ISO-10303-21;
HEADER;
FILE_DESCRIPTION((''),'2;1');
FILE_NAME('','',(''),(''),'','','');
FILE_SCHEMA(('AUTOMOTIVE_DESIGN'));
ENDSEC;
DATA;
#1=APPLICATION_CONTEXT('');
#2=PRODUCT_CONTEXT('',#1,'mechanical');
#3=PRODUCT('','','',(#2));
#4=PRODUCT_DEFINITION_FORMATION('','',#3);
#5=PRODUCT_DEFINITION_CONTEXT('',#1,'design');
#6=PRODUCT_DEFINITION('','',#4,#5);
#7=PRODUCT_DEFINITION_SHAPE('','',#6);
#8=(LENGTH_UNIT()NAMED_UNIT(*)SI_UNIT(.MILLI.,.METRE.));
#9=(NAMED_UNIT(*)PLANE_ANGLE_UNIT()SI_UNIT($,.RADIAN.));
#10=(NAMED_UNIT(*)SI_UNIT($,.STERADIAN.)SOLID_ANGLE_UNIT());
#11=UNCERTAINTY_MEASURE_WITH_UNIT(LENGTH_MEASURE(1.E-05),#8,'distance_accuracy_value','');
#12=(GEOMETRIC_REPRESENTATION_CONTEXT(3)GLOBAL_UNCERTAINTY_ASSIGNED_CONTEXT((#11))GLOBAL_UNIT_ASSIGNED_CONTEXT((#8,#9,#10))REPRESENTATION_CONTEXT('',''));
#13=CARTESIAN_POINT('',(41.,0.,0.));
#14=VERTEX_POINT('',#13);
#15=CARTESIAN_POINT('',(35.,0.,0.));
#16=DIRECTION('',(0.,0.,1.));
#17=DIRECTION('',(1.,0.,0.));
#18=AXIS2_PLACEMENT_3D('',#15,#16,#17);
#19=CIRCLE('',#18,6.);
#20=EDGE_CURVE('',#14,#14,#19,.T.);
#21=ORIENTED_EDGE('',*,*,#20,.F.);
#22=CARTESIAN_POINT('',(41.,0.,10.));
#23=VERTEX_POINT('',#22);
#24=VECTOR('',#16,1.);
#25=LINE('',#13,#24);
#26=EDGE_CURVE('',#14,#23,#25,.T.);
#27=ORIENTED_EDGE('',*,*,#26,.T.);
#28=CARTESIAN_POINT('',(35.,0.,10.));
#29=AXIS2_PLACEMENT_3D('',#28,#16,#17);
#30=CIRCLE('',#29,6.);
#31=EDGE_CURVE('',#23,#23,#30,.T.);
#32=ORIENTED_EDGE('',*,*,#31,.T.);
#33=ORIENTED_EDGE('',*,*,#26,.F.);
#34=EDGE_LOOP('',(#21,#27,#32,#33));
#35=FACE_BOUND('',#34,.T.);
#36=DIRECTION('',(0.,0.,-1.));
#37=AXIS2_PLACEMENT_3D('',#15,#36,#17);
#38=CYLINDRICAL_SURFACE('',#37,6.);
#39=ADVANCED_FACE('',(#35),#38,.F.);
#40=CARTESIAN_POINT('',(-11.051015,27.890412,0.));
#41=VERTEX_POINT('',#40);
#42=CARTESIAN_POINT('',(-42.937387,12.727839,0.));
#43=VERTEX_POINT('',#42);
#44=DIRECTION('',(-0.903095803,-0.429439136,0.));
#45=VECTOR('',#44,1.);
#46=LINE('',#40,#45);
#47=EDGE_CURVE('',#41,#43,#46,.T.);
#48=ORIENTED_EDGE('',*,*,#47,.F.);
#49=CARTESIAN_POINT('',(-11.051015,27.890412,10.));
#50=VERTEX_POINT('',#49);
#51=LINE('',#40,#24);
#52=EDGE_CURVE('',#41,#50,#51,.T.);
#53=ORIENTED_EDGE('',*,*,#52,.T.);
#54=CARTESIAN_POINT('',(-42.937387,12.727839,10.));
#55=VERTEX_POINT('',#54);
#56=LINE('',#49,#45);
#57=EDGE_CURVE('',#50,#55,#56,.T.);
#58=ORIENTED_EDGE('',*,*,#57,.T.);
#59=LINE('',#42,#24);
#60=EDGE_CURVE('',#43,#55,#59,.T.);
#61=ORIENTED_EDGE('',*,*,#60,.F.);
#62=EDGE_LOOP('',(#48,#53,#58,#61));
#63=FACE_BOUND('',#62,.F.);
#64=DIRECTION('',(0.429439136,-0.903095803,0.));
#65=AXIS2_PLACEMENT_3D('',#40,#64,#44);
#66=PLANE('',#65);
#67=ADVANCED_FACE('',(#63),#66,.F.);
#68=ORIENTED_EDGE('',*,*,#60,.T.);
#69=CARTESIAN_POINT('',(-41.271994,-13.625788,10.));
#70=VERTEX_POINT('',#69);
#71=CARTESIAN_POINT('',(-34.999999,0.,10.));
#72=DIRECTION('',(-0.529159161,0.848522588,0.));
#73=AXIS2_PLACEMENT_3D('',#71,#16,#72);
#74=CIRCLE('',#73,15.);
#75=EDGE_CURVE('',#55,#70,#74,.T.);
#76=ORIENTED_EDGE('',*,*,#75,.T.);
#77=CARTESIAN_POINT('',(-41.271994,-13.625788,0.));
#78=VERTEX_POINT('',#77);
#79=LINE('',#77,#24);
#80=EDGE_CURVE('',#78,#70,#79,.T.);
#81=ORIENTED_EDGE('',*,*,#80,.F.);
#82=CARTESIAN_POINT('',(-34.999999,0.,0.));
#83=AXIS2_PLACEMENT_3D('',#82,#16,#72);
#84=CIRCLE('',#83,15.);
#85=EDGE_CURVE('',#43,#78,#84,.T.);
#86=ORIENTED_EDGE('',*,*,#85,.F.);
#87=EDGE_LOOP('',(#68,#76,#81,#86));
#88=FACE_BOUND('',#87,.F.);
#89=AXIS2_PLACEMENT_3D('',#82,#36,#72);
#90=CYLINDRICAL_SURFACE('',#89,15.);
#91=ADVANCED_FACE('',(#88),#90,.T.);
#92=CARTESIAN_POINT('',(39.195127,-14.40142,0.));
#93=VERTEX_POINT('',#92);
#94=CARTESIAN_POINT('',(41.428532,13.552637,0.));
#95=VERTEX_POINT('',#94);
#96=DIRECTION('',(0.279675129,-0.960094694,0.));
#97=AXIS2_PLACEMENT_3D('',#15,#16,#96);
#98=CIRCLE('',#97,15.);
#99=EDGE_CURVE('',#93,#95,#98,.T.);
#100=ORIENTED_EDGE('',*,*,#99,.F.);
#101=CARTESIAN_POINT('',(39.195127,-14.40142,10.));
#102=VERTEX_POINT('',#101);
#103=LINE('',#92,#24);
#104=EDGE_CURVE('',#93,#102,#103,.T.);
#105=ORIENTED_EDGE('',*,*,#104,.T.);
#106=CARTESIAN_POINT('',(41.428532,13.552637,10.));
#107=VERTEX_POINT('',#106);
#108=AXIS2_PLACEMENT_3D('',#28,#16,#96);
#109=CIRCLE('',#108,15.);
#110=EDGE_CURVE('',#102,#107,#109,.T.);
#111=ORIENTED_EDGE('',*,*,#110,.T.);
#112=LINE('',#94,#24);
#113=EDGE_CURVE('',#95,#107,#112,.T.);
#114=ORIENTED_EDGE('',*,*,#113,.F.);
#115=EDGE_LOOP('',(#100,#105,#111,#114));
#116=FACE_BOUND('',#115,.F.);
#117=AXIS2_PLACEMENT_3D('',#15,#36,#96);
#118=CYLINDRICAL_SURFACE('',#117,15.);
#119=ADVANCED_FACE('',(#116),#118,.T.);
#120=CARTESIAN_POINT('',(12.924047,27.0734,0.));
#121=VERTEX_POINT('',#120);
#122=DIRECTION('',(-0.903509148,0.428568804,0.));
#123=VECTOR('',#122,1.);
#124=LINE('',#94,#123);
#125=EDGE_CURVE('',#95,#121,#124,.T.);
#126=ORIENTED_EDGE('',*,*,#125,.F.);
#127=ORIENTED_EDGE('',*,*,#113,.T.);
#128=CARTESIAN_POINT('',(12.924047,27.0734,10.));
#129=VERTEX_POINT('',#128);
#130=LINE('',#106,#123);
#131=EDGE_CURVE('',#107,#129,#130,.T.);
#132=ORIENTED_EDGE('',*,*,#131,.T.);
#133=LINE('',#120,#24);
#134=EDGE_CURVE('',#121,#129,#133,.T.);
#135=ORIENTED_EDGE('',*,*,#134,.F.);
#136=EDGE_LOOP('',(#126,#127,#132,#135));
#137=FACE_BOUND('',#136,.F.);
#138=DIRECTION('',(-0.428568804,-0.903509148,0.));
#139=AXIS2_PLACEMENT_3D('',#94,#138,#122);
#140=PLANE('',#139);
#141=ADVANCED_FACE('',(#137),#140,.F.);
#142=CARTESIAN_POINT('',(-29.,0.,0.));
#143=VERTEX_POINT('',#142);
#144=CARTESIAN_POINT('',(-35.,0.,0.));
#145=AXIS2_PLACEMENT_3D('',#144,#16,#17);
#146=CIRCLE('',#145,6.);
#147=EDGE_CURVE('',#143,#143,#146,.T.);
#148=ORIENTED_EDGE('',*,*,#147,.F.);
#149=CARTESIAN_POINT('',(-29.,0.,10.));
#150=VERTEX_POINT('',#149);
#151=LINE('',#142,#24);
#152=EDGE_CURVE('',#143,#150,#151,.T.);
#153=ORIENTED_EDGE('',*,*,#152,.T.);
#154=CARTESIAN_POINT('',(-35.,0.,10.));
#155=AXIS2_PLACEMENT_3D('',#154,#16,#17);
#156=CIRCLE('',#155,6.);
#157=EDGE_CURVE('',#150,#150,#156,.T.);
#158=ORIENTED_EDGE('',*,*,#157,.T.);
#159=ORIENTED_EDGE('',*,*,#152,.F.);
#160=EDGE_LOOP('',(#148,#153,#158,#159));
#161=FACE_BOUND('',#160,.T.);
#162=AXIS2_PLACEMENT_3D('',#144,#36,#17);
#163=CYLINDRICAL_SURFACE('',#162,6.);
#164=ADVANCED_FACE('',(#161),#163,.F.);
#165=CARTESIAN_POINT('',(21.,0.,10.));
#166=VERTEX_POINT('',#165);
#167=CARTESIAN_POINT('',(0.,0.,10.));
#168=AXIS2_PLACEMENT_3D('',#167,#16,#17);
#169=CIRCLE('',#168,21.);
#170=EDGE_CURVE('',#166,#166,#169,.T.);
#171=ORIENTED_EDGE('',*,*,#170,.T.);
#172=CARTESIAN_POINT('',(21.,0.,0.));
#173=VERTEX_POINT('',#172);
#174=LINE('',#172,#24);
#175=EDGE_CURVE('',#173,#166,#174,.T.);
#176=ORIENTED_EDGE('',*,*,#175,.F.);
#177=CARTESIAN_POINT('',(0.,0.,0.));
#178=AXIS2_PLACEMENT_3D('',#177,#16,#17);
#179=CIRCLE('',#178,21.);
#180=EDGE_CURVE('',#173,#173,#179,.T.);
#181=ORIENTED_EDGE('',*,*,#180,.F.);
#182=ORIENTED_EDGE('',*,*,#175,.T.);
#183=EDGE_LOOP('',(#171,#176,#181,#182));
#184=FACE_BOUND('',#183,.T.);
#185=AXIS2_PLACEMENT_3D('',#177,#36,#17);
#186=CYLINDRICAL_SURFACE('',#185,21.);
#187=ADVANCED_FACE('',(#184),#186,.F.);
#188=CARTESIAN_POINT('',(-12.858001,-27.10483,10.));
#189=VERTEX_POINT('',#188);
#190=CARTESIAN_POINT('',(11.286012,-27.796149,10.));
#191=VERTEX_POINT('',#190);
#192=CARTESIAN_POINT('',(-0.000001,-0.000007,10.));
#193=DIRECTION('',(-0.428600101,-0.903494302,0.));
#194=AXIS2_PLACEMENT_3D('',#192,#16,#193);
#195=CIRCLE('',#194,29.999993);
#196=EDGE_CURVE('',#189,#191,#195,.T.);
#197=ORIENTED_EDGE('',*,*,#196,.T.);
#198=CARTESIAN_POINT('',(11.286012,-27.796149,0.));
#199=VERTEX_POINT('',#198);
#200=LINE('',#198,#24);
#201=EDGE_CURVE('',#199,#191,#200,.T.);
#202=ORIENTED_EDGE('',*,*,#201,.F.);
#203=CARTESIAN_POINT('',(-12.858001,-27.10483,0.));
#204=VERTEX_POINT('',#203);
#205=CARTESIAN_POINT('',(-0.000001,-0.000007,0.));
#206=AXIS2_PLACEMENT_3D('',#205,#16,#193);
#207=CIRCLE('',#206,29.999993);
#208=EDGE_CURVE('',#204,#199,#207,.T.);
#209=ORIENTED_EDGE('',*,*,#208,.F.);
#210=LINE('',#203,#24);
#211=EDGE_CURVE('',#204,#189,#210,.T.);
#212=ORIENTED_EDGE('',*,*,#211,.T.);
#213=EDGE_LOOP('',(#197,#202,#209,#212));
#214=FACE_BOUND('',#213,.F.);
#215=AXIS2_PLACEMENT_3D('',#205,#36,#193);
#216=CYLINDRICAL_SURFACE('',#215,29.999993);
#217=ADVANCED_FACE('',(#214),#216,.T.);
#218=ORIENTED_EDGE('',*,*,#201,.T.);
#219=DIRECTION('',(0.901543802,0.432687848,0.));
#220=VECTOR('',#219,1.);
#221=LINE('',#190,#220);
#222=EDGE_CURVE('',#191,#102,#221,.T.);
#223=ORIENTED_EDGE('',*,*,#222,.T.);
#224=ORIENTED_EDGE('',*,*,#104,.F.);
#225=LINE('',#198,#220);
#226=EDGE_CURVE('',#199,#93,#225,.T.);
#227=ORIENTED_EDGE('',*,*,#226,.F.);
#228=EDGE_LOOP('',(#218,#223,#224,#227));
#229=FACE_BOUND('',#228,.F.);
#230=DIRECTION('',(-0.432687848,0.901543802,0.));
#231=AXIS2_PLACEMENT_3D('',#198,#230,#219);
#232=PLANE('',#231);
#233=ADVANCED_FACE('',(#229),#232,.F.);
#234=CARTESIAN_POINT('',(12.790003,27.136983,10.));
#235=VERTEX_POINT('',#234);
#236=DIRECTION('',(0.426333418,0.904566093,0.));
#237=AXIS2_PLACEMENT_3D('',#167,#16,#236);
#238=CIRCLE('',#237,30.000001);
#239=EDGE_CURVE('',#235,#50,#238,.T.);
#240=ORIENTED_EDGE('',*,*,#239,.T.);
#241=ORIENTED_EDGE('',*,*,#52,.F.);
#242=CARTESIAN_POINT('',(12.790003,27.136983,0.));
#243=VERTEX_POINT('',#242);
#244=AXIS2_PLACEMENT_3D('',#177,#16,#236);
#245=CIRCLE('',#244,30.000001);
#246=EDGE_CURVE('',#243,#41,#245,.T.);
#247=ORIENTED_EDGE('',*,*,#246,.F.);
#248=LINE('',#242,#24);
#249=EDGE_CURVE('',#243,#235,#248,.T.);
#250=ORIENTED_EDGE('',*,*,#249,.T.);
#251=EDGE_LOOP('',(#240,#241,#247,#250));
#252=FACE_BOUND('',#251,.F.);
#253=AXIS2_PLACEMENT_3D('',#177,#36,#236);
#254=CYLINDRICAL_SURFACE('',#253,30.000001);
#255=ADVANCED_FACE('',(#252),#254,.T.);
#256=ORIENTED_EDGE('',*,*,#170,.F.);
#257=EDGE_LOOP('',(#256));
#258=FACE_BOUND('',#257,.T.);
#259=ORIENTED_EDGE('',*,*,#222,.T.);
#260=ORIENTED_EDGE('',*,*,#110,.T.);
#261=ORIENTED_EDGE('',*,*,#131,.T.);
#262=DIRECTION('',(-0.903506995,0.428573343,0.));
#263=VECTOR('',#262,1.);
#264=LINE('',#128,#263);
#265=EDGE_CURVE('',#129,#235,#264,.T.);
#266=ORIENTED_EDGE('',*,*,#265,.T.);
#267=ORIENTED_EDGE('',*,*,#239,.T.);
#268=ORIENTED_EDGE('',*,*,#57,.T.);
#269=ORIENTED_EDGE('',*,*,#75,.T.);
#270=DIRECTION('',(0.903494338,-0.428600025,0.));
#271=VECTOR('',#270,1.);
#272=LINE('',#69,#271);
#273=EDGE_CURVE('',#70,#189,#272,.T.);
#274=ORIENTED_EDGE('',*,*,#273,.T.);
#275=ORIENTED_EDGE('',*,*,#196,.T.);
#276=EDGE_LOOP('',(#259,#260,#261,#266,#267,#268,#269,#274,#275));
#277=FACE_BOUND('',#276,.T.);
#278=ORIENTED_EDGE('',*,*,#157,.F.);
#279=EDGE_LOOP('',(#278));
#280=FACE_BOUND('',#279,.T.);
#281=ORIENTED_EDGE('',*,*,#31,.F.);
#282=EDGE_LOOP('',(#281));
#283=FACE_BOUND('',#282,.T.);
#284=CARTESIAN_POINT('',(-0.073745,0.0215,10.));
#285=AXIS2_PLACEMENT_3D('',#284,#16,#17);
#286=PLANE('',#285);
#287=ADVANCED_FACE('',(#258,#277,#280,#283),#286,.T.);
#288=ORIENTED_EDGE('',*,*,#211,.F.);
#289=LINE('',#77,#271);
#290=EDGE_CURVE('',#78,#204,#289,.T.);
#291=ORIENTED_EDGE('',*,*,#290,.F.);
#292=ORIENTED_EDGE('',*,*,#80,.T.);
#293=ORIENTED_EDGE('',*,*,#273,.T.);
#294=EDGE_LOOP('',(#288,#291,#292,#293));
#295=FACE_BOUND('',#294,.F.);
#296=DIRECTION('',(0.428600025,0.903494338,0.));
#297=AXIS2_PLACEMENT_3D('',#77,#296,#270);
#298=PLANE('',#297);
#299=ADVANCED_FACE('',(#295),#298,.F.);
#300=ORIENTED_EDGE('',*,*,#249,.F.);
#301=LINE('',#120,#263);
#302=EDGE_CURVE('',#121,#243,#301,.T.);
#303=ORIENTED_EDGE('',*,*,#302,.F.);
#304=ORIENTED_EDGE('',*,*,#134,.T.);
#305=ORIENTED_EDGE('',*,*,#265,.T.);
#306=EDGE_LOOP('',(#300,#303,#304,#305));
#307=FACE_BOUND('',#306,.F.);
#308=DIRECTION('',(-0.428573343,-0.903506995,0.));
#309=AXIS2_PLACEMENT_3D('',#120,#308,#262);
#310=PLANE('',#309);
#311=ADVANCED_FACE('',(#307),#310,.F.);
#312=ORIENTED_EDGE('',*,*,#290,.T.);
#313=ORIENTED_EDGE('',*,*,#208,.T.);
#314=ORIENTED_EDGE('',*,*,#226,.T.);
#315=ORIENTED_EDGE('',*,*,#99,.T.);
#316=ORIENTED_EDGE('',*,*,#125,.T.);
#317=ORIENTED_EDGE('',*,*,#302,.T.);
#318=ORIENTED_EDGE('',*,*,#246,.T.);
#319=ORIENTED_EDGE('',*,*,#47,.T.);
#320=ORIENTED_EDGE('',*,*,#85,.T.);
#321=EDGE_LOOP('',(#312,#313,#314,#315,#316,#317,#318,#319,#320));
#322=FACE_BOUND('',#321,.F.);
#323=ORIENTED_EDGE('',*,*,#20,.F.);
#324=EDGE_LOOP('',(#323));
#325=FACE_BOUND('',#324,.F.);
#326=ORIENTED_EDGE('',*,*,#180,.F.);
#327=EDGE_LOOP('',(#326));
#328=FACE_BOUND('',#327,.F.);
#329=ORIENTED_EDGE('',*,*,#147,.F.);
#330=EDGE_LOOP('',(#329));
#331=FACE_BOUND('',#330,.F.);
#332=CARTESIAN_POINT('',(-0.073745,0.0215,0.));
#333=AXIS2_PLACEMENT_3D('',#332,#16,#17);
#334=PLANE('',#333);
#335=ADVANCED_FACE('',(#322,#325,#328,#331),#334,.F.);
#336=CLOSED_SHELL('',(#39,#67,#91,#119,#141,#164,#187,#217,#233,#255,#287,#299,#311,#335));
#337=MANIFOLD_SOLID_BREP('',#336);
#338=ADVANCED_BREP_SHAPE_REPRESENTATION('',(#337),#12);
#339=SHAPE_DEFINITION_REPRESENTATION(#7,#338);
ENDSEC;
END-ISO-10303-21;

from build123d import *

# Parameters (mm, degrees)
F0_R     = 6
F0_R_2   = 21
F1_DEPTH = 10


with BuildPart() as f1:
    # F0 (on Top) → F1 (new body)
    with BuildSketch(Plane.XY):
        with BuildLine():
            Line((-41.271994, -13.625788), (-12.858001, -27.10483))
            ThreePointArc((-12.858001, -27.10483), (-0.858643, -29.98771), (11.286012, -27.796149))
            Line((11.286012, -27.796149), (39.195127, -14.40142))
            ThreePointArc((39.195127, -14.40142), (49.952353, -1.194627), (41.428532, 13.552637))
            Line((41.428532, 13.552637), (12.924047, 27.0734))
            Line((12.924047, 27.0734), (12.790003, 27.136983))
            ThreePointArc((12.790003, 27.136983), (0.947593, 29.985031), (-11.051015, 27.890412))
            Line((-11.051015, 27.890412), (-42.937387, 12.727839))
            ThreePointArc((-42.937387, 12.727839), (-49.970138, -0.946024), (-41.271994, -13.625788))
        make_face()
        with Locations((-35, 0)):
            Circle(F0_R, mode=Mode.SUBTRACT)
        Circle(F0_R_2, mode=Mode.SUBTRACT)
        with Locations((35, 0)):
            Circle(F0_R, mode=Mode.SUBTRACT)
    extrude(amount=F1_DEPTH)


solid = f1.part
